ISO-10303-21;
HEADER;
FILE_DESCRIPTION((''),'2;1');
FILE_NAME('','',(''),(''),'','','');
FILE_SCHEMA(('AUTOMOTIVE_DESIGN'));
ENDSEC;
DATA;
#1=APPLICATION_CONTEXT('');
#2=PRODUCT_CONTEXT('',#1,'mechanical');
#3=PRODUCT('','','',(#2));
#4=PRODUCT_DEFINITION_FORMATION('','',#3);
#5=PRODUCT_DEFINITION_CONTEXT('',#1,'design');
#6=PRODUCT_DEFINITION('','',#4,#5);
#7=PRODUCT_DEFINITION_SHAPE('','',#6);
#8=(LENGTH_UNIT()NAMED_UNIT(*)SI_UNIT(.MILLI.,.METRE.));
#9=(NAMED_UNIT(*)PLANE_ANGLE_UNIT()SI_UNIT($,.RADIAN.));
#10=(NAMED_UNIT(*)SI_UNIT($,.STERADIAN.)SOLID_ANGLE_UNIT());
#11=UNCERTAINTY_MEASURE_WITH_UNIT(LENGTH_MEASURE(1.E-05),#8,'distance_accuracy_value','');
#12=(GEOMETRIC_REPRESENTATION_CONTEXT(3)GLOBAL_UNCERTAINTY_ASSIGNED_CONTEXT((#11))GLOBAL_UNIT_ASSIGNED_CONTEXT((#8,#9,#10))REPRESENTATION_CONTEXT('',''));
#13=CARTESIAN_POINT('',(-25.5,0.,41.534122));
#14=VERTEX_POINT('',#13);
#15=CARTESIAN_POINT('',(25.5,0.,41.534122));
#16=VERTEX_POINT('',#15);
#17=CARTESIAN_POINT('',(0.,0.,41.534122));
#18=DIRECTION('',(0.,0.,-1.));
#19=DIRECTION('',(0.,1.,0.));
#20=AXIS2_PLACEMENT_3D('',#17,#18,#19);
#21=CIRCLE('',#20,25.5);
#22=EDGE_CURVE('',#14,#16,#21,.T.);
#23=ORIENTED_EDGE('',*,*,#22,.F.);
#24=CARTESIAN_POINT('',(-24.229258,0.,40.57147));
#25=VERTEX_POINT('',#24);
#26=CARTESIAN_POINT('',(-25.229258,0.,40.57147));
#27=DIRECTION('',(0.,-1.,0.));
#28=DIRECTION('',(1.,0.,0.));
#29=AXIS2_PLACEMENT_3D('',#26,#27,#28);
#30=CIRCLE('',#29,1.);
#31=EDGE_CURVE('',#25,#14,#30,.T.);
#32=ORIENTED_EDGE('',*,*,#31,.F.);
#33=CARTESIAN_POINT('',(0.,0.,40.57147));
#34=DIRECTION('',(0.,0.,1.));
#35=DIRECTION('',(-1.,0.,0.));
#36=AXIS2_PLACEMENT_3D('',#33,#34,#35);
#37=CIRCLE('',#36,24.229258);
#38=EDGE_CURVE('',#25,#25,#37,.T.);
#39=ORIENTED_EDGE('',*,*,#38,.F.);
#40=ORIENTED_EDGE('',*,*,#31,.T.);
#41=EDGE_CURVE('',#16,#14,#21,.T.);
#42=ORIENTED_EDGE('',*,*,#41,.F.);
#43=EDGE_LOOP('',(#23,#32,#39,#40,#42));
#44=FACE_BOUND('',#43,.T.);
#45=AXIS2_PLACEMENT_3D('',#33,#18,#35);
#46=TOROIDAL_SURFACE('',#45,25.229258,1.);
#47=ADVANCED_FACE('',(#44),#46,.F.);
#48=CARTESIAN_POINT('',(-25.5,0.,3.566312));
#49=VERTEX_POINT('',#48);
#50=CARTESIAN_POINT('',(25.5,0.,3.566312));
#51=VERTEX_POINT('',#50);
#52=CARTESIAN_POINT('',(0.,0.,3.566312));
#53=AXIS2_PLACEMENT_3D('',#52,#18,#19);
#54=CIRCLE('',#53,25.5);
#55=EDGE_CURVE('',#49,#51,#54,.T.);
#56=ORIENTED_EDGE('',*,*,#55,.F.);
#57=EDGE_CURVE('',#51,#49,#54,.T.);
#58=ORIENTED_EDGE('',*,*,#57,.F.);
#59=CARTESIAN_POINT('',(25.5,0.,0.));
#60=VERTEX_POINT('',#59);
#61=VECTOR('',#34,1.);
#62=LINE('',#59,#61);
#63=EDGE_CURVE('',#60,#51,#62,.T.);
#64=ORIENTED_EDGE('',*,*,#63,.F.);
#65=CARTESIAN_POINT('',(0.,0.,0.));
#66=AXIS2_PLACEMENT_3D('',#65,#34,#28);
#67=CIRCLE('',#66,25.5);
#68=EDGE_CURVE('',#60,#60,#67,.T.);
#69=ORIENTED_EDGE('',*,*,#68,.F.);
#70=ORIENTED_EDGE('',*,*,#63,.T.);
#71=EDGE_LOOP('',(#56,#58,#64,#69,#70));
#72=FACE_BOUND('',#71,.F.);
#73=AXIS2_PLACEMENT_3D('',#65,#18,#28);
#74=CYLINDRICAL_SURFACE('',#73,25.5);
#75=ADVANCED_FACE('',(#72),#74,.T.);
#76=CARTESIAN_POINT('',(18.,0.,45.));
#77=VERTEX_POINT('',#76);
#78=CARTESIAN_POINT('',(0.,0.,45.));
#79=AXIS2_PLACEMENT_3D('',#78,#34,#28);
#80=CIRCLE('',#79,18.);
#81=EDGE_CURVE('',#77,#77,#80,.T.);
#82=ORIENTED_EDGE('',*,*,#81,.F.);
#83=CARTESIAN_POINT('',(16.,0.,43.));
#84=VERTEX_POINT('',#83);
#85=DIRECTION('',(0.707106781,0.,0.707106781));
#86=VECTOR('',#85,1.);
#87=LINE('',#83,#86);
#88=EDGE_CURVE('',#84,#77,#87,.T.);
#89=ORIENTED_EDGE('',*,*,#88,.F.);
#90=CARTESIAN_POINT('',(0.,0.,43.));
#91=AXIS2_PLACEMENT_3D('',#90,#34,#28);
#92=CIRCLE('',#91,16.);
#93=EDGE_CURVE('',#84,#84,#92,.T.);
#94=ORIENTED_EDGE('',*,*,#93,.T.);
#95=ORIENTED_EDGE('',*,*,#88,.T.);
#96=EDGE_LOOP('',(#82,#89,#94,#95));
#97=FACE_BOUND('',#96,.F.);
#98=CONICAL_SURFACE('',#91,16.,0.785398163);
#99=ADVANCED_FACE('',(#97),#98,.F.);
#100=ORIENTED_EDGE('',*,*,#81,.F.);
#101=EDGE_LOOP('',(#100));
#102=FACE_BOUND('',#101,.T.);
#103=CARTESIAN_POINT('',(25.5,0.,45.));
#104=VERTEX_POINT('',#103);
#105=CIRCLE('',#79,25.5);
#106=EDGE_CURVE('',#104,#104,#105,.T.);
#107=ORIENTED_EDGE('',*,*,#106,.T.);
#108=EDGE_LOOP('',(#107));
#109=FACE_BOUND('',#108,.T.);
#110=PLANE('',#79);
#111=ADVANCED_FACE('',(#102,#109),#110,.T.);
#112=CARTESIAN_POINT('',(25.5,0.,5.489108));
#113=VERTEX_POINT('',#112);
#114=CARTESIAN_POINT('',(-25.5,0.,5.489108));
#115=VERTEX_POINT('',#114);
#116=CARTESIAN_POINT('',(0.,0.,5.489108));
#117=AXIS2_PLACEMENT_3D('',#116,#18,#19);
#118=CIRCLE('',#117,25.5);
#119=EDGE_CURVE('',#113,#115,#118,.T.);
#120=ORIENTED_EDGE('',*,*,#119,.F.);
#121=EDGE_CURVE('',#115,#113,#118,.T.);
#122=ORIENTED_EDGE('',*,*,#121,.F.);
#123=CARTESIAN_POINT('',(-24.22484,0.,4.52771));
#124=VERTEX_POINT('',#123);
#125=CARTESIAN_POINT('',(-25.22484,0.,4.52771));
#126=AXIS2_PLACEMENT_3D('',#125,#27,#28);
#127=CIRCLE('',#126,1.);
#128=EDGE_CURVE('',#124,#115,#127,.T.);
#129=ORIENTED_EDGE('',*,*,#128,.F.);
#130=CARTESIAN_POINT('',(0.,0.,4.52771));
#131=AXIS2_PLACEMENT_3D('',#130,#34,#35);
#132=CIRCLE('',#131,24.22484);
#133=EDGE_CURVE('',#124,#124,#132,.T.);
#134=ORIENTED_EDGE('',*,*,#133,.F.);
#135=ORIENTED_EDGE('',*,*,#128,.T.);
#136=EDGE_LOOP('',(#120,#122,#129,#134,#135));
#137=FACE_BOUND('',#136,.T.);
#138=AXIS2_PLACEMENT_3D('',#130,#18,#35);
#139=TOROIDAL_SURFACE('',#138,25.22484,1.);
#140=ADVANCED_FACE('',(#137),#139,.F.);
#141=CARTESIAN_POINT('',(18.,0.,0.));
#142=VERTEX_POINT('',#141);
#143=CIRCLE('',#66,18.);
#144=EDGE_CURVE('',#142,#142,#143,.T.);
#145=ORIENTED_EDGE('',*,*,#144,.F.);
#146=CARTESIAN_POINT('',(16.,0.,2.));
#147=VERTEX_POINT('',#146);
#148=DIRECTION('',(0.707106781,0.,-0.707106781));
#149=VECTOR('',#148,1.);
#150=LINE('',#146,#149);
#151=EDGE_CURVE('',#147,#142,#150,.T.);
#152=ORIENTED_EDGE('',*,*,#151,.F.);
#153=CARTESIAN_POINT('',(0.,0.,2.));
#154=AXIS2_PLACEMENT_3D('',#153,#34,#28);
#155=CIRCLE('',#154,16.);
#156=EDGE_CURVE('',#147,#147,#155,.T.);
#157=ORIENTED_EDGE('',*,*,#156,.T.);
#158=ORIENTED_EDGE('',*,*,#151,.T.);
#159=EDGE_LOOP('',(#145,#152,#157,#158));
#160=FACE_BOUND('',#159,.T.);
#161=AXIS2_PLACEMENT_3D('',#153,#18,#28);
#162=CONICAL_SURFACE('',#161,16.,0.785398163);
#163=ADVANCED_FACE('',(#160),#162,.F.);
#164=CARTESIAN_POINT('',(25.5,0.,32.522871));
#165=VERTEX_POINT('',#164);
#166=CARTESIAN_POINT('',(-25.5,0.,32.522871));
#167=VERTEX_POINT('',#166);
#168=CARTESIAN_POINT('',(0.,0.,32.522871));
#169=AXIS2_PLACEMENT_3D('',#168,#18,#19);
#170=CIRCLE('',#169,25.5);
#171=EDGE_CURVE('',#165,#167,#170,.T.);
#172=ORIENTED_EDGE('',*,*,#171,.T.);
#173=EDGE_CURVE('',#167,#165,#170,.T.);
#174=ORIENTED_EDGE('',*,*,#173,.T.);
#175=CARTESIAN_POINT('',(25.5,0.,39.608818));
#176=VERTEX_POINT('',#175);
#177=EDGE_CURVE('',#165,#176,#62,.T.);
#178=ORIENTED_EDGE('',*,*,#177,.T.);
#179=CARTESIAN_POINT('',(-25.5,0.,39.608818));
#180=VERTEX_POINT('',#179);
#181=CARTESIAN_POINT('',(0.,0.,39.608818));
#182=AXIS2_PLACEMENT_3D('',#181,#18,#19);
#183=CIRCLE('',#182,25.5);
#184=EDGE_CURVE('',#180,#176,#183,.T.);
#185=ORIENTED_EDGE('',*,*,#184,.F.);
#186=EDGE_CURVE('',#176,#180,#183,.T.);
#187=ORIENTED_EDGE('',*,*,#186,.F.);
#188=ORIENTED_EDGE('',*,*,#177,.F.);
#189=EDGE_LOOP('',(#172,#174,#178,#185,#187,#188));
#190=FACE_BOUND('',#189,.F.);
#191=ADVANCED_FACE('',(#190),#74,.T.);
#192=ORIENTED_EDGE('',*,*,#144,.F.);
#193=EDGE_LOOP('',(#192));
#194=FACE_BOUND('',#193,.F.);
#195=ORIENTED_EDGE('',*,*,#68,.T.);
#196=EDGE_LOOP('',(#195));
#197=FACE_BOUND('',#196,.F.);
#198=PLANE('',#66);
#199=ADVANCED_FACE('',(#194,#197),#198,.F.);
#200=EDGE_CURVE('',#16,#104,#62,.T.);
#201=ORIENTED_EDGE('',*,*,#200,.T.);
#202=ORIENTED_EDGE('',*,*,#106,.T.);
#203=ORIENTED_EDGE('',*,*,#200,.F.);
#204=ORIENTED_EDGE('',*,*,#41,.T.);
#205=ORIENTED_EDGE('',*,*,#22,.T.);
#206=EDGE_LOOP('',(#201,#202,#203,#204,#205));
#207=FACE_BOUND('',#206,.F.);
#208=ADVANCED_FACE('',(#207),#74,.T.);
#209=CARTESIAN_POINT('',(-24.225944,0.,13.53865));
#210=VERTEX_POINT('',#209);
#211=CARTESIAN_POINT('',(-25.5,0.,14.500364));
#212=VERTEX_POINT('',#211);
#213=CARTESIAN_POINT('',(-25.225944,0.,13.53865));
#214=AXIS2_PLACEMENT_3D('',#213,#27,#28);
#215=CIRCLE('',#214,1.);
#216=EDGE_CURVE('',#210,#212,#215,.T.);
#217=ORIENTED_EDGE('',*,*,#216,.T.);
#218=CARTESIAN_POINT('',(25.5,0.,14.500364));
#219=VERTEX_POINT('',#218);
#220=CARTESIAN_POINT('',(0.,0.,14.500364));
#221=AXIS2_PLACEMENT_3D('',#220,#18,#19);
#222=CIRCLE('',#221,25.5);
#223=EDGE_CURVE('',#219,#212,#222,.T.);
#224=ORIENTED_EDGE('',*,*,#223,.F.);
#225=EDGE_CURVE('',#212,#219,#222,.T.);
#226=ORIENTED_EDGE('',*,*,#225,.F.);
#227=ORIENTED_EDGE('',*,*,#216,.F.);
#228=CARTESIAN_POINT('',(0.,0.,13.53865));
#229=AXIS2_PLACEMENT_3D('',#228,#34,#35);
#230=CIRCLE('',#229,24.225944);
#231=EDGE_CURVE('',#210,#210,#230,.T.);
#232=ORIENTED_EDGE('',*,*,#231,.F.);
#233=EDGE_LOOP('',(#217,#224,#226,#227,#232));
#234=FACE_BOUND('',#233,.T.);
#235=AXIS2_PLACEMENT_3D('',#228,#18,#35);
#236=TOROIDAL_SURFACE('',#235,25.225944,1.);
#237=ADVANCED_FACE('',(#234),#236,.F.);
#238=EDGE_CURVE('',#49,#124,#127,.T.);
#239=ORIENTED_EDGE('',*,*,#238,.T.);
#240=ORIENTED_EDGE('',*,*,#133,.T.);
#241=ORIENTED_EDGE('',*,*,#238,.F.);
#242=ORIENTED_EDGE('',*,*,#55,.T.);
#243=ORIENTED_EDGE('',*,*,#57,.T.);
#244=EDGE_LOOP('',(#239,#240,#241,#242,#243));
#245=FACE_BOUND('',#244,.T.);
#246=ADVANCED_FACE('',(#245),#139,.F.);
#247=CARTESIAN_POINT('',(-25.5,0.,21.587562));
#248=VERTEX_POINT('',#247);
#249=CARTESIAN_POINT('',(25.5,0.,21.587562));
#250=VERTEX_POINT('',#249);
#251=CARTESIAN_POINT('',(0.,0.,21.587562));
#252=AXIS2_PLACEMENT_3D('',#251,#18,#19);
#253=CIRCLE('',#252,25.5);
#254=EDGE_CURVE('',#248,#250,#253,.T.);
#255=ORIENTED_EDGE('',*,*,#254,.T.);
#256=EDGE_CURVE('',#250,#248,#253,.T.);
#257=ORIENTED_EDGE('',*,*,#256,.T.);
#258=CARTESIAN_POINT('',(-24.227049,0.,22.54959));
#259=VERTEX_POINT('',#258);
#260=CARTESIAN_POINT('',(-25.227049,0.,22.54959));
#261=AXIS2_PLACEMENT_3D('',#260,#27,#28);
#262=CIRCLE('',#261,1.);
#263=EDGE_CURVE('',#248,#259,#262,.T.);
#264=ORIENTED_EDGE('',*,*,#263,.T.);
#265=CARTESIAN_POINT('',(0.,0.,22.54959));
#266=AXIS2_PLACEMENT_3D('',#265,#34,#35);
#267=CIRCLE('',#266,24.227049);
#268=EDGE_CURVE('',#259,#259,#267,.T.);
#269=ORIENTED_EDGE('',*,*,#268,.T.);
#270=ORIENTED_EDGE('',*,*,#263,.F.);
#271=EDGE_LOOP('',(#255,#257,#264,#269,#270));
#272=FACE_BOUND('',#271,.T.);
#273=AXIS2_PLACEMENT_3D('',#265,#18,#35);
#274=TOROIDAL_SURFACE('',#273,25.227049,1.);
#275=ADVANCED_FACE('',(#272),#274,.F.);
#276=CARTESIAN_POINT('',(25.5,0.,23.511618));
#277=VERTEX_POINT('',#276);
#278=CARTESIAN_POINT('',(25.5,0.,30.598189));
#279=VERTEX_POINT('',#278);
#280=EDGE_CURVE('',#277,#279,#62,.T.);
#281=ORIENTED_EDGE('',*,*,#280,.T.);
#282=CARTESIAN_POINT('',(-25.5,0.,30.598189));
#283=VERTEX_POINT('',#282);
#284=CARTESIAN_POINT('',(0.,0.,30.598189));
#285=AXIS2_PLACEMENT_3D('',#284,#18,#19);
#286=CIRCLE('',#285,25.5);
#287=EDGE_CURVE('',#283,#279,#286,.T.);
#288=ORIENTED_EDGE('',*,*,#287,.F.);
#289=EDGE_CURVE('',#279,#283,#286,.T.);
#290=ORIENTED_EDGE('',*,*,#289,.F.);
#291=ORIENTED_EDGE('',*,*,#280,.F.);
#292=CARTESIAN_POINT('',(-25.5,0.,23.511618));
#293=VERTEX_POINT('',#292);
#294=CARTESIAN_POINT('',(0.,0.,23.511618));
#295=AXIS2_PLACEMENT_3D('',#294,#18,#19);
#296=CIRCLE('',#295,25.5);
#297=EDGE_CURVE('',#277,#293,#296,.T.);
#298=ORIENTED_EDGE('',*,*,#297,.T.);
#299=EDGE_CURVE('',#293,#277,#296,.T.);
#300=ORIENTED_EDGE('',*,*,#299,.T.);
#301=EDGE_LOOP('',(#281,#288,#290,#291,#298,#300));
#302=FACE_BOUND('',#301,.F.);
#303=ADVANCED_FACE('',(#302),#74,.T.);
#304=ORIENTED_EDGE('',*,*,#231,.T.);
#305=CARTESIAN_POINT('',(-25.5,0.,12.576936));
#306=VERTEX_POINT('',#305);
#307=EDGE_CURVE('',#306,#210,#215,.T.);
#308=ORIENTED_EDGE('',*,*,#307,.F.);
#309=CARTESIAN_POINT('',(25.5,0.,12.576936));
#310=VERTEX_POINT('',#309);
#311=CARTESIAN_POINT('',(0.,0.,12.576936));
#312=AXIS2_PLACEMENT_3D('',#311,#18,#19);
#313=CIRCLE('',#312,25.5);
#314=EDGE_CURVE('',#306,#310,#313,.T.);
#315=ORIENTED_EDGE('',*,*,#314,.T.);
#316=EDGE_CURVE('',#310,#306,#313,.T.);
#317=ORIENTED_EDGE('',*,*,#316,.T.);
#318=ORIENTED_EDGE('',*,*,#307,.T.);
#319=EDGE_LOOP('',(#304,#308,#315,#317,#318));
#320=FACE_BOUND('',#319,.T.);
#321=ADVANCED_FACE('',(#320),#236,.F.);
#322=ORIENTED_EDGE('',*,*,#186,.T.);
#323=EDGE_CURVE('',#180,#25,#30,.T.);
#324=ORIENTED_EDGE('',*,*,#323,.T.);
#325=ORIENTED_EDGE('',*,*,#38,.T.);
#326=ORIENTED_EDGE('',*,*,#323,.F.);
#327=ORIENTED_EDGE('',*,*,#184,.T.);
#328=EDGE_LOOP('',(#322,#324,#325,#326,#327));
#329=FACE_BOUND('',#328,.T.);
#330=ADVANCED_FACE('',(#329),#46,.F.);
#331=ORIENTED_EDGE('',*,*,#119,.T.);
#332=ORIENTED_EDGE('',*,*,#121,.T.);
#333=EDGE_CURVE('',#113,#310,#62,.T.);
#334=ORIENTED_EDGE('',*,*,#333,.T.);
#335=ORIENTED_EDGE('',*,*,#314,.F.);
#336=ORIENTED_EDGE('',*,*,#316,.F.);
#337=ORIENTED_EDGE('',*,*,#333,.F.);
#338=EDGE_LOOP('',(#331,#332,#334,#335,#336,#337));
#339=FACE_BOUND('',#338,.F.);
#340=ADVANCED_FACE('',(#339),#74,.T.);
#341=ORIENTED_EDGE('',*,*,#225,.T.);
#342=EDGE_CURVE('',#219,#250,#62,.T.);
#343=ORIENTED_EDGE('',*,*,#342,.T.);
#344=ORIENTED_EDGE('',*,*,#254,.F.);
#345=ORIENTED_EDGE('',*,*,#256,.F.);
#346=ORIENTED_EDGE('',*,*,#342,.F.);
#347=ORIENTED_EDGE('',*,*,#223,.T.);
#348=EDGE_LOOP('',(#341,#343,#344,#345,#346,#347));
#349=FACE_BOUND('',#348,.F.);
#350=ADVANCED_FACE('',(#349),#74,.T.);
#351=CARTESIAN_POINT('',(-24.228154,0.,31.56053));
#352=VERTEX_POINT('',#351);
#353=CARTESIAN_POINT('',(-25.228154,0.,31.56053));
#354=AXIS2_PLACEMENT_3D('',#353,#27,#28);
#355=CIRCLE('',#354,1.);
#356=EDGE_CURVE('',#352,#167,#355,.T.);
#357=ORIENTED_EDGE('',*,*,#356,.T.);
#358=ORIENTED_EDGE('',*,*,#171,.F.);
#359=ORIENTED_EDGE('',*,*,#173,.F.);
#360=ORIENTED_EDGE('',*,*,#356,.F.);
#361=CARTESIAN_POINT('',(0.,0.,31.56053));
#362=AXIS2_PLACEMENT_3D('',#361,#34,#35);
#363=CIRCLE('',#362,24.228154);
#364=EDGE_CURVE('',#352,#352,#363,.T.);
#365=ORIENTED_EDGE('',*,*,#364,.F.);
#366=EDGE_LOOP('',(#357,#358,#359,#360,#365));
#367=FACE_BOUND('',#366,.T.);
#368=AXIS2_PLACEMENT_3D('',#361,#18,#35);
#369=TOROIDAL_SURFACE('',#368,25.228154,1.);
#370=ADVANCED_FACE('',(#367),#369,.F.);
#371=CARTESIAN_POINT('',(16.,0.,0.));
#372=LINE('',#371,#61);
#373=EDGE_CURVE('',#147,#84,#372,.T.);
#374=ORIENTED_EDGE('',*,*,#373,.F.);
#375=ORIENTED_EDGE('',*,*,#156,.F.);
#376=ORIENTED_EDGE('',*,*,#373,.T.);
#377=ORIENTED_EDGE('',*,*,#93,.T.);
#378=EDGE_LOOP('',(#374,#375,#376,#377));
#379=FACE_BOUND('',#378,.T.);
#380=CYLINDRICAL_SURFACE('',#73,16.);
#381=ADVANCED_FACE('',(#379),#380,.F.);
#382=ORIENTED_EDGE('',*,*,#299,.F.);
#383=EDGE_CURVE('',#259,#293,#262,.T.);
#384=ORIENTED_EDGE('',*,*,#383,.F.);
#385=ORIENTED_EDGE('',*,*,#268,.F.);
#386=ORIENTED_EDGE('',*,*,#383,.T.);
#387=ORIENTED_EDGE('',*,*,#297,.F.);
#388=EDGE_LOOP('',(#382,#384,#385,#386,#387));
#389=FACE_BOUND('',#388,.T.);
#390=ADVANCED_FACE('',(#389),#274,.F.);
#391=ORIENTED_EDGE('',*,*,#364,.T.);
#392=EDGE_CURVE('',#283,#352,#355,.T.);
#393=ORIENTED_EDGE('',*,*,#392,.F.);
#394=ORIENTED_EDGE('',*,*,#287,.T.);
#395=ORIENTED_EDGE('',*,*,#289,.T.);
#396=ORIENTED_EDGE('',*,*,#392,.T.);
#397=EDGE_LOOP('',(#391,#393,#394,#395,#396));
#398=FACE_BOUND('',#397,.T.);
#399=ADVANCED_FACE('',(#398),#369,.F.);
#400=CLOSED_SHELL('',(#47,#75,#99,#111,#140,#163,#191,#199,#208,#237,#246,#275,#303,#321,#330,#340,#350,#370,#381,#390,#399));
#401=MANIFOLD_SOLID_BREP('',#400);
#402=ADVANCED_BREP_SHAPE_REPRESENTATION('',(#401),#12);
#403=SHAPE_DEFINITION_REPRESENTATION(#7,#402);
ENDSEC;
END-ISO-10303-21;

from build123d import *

# Parameters (mm, degrees)
F0_R     = 25.5
F0_R_2   = 16
F1_DEPTH = 45
F2_SIZE  = 2
F3_R     = 1


with BuildPart() as f1:
    # F0 (on Top) → F1 (new body)
    with BuildSketch(Plane.XY):
        Circle(F0_R)
        Circle(F0_R_2, mode=Mode.SUBTRACT)
    extrude(amount=F1_DEPTH)

    # F2
    f2_edges = [f1.edges().sort_by_distance(p)[0] for p in [
        (-16, 0, 45),
        (-16, 0, 0),
    ]]
    chamfer(f2_edges, length=F2_SIZE)

    # F3 (on Front) → F4 (revolve, cut)
    with BuildSketch(Plane.XZ):
        with Locations((-25.229258, 40.57147)):
            Circle(F3_R)
        with Locations((-25.228154, 31.56053)):
            Circle(F3_R)
        with Locations((-25.227049, 22.54959)):
            Circle(F3_R)
        with Locations((-25.225944, 13.53865)):
            Circle(F3_R)
        with Locations((-25.22484, 4.52771)):
            Circle(F3_R)
    revolve(axis=Axis((0, 0, 30.274944), (0, 0, 1)), mode=Mode.SUBTRACT)


solid = f1.part
